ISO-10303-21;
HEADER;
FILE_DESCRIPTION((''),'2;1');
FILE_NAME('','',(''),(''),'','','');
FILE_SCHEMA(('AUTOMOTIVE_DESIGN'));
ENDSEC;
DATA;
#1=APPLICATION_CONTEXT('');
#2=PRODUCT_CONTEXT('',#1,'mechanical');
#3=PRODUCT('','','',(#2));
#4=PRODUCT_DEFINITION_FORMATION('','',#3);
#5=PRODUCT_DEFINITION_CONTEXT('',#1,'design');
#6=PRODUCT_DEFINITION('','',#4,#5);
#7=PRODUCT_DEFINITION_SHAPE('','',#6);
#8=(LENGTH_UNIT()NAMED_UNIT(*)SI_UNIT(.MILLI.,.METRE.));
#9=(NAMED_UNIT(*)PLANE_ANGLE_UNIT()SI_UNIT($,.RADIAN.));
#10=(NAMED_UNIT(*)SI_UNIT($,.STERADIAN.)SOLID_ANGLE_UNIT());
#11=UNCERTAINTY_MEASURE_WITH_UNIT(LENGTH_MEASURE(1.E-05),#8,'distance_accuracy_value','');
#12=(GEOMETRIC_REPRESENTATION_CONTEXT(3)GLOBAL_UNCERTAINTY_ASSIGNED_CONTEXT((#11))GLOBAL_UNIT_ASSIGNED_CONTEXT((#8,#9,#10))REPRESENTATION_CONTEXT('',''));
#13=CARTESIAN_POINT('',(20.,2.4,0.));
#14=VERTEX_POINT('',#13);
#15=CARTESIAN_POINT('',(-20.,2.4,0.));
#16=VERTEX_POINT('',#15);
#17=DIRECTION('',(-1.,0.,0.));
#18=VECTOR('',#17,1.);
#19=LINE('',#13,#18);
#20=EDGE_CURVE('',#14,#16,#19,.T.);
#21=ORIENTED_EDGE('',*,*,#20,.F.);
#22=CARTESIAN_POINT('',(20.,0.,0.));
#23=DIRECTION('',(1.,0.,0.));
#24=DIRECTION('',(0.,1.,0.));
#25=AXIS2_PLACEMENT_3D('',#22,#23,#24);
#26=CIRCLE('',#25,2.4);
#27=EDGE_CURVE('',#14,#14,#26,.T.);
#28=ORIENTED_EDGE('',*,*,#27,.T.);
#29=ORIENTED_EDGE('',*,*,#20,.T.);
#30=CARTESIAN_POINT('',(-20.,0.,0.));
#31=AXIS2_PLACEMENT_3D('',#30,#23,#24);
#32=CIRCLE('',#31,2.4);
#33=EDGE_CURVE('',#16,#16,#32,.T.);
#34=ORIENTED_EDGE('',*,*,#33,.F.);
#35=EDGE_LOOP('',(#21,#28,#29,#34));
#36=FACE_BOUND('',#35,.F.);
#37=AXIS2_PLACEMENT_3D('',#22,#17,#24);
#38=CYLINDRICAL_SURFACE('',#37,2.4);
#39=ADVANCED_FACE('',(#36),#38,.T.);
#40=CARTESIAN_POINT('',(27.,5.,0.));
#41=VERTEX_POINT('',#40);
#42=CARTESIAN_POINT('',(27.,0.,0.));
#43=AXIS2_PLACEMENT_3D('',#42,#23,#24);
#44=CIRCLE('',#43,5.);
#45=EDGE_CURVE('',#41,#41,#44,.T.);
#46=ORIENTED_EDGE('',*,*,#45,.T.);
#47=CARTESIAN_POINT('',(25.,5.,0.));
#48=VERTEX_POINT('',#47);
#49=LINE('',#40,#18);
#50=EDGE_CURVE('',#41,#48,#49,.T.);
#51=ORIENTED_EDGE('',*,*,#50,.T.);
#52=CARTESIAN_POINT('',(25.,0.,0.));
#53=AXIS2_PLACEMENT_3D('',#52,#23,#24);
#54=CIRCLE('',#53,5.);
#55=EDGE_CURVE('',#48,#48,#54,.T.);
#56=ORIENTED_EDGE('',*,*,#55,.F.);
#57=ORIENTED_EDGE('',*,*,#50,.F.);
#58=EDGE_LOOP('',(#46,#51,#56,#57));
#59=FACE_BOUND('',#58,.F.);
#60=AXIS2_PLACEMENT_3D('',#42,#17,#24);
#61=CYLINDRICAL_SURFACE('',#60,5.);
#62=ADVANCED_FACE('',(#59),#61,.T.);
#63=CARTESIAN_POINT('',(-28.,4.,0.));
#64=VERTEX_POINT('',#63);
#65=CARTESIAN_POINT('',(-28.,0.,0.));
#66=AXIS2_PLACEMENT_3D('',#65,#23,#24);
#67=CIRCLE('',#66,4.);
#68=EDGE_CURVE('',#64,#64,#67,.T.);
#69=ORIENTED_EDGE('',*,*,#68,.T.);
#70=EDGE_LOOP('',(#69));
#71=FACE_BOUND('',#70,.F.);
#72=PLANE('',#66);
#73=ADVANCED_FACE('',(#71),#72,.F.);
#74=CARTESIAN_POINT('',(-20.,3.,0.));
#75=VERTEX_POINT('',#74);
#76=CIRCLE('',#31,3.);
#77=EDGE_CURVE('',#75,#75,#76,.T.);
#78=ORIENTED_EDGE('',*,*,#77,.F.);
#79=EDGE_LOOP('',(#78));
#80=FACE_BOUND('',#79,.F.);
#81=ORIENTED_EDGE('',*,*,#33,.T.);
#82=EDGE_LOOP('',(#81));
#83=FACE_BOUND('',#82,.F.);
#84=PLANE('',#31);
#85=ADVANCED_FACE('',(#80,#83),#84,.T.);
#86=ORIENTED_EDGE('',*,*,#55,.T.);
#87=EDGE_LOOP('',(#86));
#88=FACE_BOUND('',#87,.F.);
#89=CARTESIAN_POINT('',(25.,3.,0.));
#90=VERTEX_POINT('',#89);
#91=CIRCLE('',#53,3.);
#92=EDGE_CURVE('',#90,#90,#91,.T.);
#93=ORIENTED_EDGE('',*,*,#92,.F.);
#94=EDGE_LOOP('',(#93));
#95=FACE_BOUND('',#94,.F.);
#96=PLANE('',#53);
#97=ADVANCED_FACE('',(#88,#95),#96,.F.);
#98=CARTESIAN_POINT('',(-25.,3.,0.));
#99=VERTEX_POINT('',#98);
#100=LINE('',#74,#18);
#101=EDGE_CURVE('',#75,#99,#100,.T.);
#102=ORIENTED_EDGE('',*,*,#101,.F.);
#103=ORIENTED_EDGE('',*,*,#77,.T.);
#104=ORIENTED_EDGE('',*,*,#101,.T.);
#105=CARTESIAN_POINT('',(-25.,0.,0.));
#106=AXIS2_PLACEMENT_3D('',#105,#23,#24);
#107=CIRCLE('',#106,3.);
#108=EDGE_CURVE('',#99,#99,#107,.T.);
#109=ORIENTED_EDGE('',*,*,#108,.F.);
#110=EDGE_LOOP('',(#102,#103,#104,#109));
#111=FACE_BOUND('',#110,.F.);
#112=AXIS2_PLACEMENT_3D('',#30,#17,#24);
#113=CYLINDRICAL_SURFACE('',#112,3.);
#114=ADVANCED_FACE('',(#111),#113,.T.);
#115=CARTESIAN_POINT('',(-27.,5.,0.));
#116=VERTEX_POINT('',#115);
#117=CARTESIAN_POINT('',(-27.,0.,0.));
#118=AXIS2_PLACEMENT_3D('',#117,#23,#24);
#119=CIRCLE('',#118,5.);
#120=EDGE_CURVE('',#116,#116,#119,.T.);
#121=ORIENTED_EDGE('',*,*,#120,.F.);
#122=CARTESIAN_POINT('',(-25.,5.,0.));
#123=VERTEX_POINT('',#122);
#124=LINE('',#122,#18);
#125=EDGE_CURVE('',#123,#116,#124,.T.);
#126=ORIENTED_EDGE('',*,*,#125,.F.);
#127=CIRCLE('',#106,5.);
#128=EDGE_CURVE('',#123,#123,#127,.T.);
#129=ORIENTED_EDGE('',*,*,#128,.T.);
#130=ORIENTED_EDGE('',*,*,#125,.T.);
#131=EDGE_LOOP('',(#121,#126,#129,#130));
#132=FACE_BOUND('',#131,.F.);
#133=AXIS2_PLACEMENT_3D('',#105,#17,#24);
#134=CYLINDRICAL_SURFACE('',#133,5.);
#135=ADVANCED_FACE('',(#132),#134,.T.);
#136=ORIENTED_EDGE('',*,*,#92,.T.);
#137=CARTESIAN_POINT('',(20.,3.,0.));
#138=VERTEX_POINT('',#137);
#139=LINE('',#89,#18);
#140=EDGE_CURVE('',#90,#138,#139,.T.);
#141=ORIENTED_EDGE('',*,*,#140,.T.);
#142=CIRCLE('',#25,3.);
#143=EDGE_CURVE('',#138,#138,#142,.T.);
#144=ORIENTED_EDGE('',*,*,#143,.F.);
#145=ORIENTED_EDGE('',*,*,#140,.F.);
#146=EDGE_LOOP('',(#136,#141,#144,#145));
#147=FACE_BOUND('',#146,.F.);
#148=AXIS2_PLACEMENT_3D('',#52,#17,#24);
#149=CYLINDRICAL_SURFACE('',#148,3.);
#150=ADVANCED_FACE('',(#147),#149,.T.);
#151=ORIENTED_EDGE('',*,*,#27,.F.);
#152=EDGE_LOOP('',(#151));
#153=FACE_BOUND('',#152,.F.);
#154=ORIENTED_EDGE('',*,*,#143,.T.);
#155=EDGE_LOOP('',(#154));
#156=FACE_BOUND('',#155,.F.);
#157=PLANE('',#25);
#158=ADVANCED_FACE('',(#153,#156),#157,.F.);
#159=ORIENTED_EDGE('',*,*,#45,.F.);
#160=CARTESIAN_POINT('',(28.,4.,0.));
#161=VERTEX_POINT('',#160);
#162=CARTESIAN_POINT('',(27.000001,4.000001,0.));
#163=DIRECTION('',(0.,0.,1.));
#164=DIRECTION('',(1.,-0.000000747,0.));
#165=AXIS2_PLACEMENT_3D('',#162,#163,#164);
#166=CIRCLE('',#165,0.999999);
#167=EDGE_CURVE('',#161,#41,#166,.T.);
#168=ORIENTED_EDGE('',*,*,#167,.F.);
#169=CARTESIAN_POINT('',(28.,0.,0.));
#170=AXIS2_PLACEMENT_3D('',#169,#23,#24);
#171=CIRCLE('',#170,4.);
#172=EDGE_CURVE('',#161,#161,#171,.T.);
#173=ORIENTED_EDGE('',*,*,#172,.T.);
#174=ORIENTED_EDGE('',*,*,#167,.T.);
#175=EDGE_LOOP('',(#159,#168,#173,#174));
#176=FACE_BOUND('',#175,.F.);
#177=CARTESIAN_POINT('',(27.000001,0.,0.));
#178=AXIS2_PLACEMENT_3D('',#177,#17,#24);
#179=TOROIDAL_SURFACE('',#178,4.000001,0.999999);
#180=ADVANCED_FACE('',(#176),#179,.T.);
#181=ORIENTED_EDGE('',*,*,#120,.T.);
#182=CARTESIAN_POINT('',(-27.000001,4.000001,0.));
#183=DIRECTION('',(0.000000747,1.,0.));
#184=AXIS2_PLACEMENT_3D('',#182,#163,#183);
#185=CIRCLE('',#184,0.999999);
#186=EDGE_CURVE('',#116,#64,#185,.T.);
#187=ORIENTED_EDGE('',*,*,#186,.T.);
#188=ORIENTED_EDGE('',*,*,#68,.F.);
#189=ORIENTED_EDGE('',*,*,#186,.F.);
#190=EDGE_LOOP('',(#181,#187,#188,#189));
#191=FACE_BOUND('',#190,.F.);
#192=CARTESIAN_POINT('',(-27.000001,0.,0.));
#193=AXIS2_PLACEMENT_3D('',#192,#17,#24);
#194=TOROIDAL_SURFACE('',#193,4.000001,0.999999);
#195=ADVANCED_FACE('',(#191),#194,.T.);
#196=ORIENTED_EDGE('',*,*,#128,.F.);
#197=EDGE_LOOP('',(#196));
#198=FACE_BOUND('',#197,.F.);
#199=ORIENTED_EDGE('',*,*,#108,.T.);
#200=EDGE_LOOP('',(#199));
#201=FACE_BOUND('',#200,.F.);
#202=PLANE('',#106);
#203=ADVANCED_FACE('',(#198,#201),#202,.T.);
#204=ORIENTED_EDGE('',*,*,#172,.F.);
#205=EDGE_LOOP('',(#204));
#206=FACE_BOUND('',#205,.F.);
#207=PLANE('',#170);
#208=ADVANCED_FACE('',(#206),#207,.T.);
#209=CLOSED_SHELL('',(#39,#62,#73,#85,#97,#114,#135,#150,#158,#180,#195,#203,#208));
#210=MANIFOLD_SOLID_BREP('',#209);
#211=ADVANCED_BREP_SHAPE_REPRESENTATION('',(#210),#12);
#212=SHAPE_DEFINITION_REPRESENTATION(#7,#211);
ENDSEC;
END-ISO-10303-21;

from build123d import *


with BuildPart() as f1:
    # F0 (on Top) → F1 (revolve)
    with BuildSketch(Plane.XY):
        with BuildLine():
            Line((-28, 4), (-28, 0))
            Line((-28, 0), (28, 0))
            Line((28, 0), (28, 4))
            ThreePointArc((28, 4), (27.707107, 4.707107), (27, 5))
            Line((27, 5), (25, 5))
            Line((25, 5), (25, 3))
            Line((25, 3), (20, 3))
            Line((20, 3), (20, 2.4))
            Line((20, 2.4), (-20, 2.4))
            Line((-20, 2.4), (-20, 3))
            Line((-20, 3), (-25, 3))
            Line((-25, 3), (-25, 5))
            Line((-25, 5), (-27, 5))
            ThreePointArc((-27, 5), (-27.707107, 4.707107), (-28, 4))
        make_face()
    revolve(axis=Axis((1.130419, 0, 0), (1, 0, 0)))


solid = f1.part
